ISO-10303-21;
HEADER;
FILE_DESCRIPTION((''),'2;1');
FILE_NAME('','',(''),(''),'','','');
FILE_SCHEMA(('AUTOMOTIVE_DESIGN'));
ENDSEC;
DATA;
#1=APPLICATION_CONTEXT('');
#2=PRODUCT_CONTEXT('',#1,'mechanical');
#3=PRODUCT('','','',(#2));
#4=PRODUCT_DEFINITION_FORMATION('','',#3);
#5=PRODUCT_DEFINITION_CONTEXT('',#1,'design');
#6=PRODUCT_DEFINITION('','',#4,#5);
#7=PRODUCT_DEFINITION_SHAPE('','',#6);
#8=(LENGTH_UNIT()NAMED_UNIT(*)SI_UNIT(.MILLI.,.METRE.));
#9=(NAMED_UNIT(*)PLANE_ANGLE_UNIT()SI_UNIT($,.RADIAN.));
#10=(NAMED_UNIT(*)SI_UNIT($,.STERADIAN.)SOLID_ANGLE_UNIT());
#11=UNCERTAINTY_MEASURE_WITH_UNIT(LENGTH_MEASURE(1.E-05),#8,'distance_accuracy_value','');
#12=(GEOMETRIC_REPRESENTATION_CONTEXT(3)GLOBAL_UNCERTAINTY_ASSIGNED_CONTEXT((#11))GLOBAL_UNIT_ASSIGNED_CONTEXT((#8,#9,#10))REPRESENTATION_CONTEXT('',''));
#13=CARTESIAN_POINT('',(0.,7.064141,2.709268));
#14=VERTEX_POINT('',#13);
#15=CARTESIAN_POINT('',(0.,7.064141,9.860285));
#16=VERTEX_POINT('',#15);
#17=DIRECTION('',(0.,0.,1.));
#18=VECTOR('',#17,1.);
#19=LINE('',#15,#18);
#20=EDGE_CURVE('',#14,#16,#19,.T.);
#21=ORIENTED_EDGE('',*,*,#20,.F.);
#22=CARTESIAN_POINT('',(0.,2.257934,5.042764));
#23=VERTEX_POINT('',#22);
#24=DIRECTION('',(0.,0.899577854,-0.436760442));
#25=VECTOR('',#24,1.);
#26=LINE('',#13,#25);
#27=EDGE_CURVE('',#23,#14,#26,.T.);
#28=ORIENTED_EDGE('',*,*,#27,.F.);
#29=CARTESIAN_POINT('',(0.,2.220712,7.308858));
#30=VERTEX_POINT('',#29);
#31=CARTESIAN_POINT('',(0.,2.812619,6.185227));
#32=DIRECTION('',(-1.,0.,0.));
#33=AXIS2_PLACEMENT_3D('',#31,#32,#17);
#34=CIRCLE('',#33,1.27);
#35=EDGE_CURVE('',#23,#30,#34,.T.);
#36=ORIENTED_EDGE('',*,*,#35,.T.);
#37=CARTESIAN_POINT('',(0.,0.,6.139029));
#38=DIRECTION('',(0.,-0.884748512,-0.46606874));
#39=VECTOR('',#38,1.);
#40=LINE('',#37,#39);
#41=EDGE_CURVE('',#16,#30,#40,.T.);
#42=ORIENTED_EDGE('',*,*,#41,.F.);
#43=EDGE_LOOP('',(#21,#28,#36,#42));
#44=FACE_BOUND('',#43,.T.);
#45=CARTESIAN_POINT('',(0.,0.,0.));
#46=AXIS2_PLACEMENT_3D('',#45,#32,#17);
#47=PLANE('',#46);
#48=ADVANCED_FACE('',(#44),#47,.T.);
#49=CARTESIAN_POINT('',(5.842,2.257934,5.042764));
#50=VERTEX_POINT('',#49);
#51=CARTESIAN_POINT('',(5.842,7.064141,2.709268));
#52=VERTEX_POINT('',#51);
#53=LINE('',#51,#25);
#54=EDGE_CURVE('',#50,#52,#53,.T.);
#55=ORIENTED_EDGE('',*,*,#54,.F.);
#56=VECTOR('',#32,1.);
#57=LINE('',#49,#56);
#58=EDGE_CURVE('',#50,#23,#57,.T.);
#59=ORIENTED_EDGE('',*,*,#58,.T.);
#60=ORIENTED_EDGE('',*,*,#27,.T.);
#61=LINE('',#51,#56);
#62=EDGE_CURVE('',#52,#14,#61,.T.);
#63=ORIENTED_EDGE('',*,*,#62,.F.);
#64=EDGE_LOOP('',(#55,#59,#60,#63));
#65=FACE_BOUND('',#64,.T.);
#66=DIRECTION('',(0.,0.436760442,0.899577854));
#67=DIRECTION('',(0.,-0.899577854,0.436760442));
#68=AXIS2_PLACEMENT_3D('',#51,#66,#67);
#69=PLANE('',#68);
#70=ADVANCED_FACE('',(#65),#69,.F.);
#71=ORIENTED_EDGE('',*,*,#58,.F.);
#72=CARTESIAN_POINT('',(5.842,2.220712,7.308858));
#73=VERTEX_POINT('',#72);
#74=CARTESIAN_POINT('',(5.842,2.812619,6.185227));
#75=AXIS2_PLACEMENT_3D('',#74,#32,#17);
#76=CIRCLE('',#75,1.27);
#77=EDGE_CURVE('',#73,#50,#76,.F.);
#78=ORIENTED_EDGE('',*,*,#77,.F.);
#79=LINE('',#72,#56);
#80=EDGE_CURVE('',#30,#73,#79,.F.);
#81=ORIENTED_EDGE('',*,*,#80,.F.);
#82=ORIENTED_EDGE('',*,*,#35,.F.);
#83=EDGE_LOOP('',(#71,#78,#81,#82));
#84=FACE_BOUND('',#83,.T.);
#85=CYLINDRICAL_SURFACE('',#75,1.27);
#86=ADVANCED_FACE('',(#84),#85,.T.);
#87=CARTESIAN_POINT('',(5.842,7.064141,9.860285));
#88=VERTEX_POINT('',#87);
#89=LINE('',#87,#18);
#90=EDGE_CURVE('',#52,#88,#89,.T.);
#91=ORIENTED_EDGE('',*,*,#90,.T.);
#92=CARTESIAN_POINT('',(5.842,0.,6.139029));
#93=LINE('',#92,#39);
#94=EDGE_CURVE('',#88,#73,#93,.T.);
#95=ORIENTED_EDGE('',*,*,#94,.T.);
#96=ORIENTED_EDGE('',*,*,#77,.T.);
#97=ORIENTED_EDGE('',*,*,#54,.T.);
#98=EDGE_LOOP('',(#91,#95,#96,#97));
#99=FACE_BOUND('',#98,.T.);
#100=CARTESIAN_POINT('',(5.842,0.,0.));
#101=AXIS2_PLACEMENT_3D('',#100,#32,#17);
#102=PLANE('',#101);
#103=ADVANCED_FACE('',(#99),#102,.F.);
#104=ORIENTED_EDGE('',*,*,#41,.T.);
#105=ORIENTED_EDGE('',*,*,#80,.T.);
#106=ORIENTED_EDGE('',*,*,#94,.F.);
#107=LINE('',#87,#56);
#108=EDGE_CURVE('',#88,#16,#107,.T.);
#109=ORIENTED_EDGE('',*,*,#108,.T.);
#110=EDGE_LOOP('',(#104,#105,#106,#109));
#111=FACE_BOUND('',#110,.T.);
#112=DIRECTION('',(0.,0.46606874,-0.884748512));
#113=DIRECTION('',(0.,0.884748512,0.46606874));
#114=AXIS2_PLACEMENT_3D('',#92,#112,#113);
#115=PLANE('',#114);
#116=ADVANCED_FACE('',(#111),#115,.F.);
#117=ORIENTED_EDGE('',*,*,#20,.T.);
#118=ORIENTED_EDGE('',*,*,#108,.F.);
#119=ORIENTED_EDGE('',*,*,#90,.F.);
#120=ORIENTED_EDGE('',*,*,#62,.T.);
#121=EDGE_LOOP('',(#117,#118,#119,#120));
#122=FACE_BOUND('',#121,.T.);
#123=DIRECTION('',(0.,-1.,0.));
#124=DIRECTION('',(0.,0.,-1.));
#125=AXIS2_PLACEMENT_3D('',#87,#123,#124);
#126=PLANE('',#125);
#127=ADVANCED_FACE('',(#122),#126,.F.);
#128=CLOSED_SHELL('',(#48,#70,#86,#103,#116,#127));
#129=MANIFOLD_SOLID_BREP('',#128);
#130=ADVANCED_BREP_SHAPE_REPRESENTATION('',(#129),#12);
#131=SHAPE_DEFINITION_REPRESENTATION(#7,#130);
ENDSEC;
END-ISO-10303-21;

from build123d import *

# Parameters (mm, degrees)
BOSS_EXTRUDE2_DEPTH = 5.842
FILLET2_R           = 1.27


with BuildPart() as part:
    # Sketch1 → Boss-Extrude2 (new body)
    with BuildSketch(Plane(origin=(0, 0, 0), x_dir=(0, 0, -1), z_dir=(1, 0, 0))):
        Polygon((-9.860284519, 7.064140975), (-2.70926767, 7.064140975), (-6.139028999, 0), align=None)
    extrude(amount=BOSS_EXTRUDE2_DEPTH)

    # Fillet2
    fillet2_edges = [part.edges().sort_by_distance(p)[0] for p in [
        (2.921, 0, 6.139028999),
    ]]
    fillet(fillet2_edges, radius=FILLET2_R)


solid = part.part
